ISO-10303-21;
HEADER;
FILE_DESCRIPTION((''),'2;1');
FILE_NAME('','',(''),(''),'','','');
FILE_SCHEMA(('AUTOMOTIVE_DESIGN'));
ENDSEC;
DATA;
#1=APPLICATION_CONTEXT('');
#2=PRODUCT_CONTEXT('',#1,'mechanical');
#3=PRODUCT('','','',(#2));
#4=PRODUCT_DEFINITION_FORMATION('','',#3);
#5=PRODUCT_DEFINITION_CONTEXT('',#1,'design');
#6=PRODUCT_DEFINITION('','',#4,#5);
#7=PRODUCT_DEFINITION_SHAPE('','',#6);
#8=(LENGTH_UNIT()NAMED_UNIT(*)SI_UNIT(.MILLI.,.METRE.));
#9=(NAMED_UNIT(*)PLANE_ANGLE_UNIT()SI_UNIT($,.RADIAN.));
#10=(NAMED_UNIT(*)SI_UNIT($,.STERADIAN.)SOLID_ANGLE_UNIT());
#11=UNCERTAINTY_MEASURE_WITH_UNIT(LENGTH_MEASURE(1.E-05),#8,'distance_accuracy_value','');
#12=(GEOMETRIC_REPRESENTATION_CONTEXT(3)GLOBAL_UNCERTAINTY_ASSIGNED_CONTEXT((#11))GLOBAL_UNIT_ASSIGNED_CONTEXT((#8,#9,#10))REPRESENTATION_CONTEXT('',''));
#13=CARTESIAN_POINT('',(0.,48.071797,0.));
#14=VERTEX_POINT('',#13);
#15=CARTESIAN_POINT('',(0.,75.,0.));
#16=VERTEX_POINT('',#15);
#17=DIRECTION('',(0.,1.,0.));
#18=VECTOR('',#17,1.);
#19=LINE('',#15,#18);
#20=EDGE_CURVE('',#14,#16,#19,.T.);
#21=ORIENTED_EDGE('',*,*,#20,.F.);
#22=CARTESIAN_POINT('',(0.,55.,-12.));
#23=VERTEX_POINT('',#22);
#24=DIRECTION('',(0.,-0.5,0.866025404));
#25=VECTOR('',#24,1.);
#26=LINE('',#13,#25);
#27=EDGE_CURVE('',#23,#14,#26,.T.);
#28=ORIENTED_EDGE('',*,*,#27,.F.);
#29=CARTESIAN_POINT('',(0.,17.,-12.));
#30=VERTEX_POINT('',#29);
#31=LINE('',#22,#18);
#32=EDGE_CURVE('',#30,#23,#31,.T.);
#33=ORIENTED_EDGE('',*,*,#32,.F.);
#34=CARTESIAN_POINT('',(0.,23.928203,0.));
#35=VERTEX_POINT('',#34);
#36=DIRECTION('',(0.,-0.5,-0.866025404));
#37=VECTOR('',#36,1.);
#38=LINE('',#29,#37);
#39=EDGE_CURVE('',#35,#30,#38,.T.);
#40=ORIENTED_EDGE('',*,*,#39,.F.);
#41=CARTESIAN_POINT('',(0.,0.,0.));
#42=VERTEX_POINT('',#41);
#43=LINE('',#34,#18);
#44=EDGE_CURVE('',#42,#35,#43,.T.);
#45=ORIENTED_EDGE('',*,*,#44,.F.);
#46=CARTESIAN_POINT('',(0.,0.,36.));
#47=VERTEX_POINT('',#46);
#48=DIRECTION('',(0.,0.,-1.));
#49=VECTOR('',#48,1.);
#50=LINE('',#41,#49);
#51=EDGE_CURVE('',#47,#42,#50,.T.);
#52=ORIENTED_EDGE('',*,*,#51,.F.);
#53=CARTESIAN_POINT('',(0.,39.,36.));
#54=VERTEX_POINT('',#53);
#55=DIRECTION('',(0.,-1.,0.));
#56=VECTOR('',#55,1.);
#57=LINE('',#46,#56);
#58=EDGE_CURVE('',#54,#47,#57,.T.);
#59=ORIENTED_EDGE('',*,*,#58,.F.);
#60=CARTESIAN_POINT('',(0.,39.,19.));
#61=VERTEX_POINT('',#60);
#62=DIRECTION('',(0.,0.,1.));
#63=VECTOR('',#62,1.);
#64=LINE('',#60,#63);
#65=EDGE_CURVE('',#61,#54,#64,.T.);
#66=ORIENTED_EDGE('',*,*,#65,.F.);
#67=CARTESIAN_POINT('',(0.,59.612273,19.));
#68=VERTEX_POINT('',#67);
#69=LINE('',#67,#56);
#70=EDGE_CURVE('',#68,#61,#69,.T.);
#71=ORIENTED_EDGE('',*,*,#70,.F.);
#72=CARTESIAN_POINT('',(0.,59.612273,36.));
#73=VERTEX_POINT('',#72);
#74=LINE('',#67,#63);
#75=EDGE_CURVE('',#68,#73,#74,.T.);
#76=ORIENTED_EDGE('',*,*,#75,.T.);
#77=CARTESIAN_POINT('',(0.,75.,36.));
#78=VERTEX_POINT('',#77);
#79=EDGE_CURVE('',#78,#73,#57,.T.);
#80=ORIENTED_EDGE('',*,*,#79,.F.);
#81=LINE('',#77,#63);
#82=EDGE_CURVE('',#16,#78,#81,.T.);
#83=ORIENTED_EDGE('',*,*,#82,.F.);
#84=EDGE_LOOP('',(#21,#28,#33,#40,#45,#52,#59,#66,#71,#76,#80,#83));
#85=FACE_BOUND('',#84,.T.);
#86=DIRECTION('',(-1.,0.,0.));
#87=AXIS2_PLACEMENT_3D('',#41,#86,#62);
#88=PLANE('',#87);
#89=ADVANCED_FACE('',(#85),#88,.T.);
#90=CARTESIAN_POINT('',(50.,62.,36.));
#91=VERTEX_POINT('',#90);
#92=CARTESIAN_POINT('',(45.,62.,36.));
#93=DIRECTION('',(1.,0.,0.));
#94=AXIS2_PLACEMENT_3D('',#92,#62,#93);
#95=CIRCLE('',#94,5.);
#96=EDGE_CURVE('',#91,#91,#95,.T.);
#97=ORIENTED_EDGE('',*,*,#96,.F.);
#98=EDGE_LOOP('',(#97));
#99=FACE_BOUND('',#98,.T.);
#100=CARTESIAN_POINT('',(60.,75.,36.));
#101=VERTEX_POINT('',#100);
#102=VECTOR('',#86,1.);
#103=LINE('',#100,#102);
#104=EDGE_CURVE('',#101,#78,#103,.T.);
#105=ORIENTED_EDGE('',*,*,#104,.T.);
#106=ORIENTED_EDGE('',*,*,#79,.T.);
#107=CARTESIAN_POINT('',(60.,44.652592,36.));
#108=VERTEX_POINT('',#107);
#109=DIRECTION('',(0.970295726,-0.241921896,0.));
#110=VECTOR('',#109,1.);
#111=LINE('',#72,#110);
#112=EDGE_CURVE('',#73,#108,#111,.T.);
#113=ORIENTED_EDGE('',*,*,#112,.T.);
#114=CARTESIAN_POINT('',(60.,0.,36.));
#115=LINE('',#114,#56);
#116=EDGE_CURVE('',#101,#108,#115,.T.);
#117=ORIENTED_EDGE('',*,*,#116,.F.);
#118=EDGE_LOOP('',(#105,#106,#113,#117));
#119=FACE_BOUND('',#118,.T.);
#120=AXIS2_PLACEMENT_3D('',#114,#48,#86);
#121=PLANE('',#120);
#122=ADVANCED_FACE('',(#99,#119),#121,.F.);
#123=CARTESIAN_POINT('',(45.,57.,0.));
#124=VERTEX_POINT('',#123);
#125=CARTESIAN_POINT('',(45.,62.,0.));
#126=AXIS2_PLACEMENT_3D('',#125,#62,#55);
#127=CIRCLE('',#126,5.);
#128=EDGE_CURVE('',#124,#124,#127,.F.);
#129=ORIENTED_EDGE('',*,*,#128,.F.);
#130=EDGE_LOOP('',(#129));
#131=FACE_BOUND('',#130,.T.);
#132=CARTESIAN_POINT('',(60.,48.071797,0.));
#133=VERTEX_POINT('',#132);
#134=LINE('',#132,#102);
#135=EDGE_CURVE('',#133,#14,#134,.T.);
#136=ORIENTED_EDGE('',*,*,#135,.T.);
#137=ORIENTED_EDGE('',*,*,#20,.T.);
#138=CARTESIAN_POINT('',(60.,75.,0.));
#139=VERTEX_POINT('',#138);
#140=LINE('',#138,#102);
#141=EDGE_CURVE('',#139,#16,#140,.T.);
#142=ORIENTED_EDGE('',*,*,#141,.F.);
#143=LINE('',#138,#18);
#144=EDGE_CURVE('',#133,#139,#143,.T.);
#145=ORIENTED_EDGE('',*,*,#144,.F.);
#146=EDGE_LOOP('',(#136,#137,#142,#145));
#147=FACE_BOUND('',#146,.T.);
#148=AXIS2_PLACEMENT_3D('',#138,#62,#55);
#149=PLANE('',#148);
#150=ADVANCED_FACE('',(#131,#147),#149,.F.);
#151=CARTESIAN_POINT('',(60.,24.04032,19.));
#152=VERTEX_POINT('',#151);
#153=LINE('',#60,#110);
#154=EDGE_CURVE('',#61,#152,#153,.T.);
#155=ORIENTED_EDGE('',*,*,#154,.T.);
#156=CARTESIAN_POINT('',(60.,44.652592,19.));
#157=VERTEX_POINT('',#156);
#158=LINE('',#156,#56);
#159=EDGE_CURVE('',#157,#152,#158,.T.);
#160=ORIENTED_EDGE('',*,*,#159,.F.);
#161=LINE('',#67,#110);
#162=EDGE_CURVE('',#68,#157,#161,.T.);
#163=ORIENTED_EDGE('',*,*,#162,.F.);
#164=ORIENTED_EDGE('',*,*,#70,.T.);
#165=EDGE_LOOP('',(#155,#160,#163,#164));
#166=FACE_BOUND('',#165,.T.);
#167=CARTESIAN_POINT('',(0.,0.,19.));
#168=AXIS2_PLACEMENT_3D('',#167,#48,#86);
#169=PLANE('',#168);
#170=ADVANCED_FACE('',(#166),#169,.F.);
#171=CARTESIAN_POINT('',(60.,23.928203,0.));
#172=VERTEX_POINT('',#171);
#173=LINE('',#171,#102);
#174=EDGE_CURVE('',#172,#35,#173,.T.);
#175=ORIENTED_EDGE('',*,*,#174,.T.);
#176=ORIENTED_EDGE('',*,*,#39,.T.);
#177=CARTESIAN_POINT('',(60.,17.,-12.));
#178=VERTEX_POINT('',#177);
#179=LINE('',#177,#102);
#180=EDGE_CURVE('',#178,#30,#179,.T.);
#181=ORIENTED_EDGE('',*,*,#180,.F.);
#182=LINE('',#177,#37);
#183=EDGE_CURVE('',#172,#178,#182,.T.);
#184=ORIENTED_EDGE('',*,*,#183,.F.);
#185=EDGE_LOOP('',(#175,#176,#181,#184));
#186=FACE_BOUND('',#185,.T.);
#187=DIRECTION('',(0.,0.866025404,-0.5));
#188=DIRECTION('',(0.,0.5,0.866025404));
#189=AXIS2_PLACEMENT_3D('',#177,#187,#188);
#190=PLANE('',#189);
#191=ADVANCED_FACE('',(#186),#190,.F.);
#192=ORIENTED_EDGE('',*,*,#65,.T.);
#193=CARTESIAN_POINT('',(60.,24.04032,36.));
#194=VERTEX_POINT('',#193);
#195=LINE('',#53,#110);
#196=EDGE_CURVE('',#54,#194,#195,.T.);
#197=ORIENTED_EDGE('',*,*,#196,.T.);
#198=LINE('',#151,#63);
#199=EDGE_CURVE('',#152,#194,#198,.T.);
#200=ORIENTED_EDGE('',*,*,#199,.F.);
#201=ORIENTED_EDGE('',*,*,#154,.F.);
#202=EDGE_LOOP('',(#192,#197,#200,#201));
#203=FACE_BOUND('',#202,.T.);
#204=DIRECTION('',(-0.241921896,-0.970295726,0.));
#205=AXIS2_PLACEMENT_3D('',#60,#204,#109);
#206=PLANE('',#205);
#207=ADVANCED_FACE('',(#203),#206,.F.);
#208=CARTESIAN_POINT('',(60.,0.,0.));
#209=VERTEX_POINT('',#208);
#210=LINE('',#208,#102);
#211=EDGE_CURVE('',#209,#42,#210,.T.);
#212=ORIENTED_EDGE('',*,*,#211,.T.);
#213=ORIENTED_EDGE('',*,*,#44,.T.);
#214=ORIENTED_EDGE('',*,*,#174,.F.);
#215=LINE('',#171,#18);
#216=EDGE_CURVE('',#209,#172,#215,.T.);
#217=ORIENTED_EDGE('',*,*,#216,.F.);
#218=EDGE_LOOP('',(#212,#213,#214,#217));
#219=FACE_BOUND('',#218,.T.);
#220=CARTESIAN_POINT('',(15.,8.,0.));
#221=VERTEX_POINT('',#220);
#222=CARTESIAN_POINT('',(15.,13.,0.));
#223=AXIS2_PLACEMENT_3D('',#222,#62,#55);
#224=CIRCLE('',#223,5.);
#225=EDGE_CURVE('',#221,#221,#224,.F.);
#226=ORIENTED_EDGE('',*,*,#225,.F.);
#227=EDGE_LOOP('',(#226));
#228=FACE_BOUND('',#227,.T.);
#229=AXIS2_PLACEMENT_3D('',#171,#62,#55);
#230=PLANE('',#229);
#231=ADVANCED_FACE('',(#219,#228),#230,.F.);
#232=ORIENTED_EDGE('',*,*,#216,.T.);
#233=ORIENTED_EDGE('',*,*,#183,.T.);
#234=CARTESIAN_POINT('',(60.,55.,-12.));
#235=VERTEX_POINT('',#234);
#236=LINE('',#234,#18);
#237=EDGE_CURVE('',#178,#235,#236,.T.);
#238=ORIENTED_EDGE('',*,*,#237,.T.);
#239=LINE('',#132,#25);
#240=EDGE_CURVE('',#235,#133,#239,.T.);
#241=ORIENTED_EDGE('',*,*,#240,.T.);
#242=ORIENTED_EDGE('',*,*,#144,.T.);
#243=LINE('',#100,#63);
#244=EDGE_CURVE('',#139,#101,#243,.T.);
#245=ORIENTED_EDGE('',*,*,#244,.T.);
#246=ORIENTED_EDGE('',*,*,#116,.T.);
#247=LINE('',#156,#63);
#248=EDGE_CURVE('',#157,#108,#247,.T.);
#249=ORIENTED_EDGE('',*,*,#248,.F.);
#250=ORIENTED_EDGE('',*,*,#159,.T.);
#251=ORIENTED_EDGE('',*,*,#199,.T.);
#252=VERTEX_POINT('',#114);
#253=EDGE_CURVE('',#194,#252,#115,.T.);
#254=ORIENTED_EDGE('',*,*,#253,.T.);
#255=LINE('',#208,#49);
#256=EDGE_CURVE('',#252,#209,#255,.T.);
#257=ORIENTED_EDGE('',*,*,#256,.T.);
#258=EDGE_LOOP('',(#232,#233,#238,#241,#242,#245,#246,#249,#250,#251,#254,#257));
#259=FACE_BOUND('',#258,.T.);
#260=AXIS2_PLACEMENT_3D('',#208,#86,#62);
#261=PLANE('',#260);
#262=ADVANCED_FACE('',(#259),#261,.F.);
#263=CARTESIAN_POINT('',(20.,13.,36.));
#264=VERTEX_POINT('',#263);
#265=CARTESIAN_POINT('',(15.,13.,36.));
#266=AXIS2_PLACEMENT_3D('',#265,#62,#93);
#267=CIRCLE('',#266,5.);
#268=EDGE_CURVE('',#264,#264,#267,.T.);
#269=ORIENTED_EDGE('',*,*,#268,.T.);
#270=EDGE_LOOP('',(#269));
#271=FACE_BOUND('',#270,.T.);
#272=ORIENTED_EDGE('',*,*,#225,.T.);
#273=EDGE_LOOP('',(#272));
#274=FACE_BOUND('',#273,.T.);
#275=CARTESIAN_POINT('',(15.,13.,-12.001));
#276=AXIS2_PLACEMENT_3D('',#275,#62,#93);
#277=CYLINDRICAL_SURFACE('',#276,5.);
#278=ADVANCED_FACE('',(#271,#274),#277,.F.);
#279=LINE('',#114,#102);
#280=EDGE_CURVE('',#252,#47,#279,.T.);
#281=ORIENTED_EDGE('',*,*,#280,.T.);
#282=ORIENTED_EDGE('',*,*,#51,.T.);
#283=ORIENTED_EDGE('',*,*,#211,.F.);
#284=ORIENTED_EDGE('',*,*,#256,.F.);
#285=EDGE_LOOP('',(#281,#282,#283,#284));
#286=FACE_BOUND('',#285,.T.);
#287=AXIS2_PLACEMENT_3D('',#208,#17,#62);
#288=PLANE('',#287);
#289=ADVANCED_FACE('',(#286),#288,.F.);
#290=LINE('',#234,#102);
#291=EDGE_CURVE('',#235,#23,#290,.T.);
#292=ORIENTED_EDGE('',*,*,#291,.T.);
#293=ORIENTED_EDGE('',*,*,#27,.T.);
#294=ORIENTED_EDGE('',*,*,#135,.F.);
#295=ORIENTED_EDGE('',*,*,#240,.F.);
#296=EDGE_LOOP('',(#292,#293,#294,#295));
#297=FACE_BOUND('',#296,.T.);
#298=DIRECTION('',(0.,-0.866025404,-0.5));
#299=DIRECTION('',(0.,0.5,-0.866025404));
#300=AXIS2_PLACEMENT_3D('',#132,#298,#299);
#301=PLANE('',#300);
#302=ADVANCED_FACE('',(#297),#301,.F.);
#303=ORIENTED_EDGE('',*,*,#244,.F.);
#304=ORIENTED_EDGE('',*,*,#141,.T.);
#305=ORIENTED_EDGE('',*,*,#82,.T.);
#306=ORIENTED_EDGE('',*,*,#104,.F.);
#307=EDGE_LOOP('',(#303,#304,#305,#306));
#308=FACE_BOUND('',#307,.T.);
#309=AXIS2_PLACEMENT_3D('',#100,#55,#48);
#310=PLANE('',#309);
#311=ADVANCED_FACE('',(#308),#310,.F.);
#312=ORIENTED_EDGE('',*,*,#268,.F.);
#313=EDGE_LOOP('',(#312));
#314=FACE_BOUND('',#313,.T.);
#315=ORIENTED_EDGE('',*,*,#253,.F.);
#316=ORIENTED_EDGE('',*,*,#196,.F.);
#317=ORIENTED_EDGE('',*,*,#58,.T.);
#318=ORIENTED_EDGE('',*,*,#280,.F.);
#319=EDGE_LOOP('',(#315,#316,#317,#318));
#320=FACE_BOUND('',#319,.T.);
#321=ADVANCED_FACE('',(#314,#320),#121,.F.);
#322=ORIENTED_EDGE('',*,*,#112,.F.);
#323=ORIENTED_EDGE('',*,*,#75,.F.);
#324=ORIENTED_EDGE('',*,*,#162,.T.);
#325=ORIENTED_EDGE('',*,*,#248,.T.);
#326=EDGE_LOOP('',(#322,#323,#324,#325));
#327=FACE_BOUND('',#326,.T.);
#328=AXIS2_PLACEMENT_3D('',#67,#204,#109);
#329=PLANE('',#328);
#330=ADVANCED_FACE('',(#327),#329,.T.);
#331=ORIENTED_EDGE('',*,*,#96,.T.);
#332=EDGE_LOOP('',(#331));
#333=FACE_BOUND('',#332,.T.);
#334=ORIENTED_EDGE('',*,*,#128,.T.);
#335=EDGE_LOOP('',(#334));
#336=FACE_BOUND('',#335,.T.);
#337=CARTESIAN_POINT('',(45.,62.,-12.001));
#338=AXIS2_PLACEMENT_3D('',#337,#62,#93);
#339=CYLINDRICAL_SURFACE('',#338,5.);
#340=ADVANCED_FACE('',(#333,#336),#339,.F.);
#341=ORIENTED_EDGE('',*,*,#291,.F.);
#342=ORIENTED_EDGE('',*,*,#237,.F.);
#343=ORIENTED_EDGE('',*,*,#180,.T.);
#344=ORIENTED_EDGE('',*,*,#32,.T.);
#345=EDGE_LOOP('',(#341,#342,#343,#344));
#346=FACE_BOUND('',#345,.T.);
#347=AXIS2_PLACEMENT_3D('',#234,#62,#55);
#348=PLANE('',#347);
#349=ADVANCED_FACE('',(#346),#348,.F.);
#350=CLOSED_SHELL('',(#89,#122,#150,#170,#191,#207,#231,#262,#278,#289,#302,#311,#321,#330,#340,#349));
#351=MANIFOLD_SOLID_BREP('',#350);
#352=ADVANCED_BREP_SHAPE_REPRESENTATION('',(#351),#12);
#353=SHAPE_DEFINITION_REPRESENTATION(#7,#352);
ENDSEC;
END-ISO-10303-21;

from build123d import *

# Parameters (mm, degrees)
BOSS_EXTRUDE1_DEPTH = 60
CUT_EXTRUDE1_DEPTH  = 17
CUT_EXTRUDE2_REACH  = 109.373
SKETCH4_R           = 5


with BuildPart() as part:
    # Sketch1 → Boss-Extrude1 (new body)
    with BuildSketch(Plane(origin=(0, 0, 0), x_dir=(0, 0, -1), z_dir=(1, 0, 0))):
        Polygon((-36, 75), (0, 75), (0, 48.07179677), (12, 55), (12, 17), (0, 23.92820323), (0, 0), (-36, 0), align=None)
    extrude(amount=BOSS_EXTRUDE1_DEPTH)

    # Sketch2 → Cut-Extrude1 (cut)
    with BuildSketch(Plane.XY.offset(36)):
        Polygon((0, 59.612272587), (60, 44.652592416), (60, 24.040319829), (0, 39), align=None)
    extrude(amount=-CUT_EXTRUDE1_DEPTH, mode=Mode.SUBTRACT)

    # Sketch4 → Cut-Extrude2 (cut, up to next)
    with BuildSketch(Plane.XY.offset(36), mode=Mode.PRIVATE) as cut_extrude2_sk1:
        with Locations((45, 62)):
            Circle(SKETCH4_R)
    cut_extrude2_tool1 = extrude(cut_extrude2_sk1.sketch, amount=-CUT_EXTRUDE2_REACH, mode=Mode.PRIVATE) & part.part
    # Sketch4 → Cut-Extrude2 (cut, up to next)
    with BuildSketch(Plane.XY.offset(36), mode=Mode.PRIVATE) as cut_extrude2_sk2:
        with Locations((15, 13)):
            Circle(SKETCH4_R)
    cut_extrude2_tool2 = extrude(cut_extrude2_sk2.sketch, amount=-CUT_EXTRUDE2_REACH, mode=Mode.PRIVATE) & part.part
    add(cut_extrude2_tool1.solids().sort_by_distance((45, 62, 36))[0], mode=Mode.SUBTRACT)
    add(cut_extrude2_tool2.solids().sort_by_distance((15, 13, 36))[0], mode=Mode.SUBTRACT)


solid = part.part
